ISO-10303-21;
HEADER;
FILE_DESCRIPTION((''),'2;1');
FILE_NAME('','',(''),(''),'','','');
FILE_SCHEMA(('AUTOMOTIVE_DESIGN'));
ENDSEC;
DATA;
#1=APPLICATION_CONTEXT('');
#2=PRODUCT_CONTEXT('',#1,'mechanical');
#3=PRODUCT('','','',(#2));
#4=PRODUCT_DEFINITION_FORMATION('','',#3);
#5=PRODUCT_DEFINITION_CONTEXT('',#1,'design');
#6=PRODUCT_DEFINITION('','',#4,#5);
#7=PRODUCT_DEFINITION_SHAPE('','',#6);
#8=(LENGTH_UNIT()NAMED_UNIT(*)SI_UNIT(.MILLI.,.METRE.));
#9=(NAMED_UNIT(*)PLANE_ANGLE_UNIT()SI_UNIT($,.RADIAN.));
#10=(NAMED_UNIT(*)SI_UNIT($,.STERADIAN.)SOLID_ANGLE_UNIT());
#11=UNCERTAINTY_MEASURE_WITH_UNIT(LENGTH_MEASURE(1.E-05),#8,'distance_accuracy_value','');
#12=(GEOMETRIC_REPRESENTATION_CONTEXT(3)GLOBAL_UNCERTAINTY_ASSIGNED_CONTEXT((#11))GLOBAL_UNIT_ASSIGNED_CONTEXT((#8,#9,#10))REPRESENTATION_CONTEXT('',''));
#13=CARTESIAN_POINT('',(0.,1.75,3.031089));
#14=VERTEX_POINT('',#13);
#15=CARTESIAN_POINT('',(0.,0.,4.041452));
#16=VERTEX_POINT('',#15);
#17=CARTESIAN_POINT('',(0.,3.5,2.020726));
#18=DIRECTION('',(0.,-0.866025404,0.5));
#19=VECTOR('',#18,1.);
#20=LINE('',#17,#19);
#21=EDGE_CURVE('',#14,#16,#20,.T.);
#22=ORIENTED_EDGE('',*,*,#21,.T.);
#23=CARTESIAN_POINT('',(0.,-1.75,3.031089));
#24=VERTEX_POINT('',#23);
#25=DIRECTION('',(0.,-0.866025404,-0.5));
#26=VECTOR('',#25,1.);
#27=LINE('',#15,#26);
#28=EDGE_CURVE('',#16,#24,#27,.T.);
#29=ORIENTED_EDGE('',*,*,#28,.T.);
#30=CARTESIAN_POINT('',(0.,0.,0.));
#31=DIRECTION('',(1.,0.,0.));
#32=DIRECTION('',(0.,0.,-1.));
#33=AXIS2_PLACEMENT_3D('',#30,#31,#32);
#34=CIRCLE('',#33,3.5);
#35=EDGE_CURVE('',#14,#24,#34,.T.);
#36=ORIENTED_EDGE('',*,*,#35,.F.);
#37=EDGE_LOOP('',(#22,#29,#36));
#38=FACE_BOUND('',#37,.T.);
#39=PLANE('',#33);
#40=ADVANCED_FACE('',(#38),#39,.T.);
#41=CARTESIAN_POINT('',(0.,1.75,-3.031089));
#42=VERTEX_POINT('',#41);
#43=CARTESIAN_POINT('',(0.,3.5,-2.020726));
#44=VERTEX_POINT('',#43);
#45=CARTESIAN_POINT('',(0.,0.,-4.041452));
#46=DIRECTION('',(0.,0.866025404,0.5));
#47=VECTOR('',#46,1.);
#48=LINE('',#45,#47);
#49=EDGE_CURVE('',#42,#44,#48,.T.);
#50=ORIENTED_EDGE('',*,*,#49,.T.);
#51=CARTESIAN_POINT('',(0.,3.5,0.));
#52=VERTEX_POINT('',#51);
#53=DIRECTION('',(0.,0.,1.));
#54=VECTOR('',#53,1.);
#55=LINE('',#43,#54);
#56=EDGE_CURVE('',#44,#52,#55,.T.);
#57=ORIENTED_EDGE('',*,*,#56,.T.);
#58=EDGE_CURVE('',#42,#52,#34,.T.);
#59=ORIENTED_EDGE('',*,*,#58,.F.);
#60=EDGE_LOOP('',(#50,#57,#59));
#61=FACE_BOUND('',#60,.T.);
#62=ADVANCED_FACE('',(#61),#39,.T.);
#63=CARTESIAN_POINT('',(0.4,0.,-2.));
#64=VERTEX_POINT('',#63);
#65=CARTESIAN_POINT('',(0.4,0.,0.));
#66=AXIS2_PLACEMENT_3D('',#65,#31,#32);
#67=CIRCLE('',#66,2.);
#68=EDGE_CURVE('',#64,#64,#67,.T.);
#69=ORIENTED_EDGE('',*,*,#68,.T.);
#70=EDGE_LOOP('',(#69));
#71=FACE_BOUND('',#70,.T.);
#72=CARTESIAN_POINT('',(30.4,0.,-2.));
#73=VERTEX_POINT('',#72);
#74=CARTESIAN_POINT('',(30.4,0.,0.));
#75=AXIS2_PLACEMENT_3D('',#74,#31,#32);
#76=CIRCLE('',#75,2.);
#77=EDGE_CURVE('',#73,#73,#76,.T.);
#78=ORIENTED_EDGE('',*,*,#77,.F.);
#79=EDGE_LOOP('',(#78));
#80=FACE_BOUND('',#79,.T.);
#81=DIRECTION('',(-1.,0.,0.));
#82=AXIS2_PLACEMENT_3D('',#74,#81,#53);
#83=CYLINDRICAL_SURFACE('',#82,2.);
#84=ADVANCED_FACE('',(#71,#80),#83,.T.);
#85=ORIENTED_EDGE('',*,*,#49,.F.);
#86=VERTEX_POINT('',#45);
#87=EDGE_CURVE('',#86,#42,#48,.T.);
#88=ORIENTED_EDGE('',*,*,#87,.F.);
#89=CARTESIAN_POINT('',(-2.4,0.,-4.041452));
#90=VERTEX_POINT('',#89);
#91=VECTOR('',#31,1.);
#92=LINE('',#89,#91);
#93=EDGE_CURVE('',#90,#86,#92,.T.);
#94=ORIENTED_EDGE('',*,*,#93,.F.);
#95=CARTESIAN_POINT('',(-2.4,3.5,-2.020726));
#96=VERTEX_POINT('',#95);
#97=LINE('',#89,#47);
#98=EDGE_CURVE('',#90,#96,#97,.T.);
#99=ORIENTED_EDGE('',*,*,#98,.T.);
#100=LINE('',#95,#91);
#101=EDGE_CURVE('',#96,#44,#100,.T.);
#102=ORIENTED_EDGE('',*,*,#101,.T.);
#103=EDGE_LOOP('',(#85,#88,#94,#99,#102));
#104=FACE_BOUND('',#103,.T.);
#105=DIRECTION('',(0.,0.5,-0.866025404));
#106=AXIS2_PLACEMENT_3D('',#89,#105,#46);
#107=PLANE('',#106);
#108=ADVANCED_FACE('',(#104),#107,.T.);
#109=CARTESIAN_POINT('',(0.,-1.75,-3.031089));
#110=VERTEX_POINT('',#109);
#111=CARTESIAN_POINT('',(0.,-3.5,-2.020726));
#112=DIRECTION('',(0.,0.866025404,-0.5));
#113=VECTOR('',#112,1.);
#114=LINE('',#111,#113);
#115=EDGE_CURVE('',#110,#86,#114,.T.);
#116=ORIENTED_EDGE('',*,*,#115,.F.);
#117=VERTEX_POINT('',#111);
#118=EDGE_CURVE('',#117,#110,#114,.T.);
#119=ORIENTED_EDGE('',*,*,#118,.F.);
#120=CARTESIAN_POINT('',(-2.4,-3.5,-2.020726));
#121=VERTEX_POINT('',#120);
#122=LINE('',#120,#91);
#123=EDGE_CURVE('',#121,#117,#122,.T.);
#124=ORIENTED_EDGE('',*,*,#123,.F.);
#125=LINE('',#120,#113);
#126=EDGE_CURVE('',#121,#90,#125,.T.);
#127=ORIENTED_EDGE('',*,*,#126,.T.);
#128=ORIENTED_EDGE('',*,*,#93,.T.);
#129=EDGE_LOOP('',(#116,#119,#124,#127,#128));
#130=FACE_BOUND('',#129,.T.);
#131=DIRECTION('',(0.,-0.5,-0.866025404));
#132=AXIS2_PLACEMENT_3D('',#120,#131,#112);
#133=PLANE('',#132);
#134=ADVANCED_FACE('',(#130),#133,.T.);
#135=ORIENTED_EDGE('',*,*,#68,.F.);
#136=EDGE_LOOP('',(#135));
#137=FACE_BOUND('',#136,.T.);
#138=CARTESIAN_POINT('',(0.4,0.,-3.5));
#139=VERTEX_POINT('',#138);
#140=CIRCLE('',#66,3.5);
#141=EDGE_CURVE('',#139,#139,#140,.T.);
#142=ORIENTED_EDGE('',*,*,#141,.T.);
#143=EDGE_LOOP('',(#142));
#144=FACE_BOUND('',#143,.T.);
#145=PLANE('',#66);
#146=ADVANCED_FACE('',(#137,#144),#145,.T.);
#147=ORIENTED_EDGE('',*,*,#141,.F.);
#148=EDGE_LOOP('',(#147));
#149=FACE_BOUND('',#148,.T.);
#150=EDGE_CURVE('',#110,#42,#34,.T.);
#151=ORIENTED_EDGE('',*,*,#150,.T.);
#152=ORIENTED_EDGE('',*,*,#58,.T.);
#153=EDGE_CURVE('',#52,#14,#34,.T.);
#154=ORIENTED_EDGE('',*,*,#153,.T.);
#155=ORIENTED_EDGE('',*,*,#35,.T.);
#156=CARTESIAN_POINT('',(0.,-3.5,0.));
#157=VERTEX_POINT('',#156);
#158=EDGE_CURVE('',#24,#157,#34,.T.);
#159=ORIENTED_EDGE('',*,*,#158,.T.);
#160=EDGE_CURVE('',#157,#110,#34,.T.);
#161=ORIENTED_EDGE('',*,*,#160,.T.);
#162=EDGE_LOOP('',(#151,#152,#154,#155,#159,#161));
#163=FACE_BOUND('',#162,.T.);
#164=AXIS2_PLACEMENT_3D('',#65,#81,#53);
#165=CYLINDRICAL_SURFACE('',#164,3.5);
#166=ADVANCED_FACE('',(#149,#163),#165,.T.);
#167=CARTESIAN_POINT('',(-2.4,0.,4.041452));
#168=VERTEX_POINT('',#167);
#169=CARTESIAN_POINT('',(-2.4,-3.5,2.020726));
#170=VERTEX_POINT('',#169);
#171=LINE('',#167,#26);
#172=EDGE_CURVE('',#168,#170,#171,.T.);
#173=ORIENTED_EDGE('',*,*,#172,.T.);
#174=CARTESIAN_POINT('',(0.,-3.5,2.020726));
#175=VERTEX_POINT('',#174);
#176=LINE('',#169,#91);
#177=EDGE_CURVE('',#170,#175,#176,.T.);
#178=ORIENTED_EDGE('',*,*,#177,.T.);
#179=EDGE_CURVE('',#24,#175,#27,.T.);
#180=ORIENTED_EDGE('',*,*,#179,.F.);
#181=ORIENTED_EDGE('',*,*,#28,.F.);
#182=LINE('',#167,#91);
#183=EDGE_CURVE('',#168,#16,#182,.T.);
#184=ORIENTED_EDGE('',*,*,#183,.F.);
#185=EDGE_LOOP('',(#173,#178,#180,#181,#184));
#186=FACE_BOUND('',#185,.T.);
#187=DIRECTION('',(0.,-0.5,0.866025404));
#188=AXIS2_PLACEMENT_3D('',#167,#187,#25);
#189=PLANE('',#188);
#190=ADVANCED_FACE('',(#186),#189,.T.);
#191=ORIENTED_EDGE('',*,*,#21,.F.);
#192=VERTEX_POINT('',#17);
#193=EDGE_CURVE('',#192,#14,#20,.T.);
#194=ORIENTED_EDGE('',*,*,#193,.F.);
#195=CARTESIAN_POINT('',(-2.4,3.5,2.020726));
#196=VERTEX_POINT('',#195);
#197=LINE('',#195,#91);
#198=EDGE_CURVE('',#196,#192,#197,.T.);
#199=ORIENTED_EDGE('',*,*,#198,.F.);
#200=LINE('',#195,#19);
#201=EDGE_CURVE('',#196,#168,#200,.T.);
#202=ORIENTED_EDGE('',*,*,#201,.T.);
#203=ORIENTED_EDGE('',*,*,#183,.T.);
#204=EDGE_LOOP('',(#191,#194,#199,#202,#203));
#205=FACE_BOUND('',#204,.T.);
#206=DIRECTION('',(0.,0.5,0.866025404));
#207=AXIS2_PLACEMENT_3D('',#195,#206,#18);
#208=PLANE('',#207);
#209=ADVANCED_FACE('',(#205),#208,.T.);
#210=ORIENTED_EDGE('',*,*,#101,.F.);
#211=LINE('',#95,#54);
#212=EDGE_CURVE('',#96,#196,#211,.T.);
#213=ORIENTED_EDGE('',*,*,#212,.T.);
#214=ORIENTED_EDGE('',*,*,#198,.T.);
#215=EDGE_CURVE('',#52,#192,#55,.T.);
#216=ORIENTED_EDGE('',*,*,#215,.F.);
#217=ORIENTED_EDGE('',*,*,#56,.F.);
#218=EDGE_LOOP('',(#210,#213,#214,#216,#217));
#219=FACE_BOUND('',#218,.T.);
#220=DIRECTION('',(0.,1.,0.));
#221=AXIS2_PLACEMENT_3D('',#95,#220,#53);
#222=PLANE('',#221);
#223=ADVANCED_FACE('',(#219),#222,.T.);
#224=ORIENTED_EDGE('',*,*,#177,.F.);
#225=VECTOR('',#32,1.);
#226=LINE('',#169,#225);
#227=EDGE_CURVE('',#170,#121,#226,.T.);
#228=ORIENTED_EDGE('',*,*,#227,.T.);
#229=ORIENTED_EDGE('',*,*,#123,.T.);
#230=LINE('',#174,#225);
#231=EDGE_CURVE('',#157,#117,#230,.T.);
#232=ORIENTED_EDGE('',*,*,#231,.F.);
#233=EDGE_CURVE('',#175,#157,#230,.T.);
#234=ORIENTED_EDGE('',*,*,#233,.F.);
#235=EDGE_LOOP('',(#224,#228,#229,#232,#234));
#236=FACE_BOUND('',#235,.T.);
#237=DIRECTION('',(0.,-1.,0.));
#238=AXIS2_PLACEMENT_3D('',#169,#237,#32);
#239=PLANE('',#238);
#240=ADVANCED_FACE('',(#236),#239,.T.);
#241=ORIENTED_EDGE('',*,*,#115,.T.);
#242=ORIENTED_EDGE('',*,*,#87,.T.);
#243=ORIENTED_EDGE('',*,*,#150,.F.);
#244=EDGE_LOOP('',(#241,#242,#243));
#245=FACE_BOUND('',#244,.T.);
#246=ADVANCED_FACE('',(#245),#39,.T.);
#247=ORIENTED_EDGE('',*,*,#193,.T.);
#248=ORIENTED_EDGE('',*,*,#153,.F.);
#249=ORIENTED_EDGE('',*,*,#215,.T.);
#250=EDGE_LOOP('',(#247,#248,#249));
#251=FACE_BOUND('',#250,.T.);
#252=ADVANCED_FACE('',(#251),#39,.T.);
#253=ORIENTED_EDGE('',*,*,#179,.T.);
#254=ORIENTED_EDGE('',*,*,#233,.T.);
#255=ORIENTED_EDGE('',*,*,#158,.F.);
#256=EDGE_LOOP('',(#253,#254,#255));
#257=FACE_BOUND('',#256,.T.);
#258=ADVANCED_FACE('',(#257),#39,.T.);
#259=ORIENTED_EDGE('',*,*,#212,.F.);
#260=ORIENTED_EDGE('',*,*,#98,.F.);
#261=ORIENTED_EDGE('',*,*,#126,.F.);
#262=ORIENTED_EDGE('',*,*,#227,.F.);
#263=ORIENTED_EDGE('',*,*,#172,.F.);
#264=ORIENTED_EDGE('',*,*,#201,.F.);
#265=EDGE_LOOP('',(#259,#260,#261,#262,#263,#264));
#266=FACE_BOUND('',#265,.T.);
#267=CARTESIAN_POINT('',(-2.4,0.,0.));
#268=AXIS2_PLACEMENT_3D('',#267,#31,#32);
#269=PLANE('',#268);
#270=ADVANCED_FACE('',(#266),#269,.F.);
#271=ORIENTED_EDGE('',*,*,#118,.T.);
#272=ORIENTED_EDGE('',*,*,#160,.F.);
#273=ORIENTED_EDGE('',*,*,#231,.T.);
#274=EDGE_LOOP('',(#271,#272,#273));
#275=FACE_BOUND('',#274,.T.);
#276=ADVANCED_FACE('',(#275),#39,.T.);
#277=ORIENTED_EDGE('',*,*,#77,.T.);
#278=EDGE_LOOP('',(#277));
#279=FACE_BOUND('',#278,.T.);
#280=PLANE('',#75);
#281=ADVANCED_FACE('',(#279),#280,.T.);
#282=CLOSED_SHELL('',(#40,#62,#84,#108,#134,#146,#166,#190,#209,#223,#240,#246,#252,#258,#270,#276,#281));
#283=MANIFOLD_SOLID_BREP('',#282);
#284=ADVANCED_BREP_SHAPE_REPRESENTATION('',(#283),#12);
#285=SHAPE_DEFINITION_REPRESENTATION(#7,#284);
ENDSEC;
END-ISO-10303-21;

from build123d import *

# Parameters (mm, degrees)
BOSS_EXTRUDE1_DEPTH = 2.4
SKETCH2_R           = 3.5
BOSS_EXTRUDE2_DEPTH = 0.4
SKETCH3_R           = 2
BOSS_EXTRUDE3_DEPTH = 30


with BuildPart() as part:
    # Sketch1 → Boss-Extrude1 (new body)
    with BuildSketch(Plane(origin=(0, 0, 0), x_dir=(0, 0, -1), z_dir=(1, 0, 0))):
        Polygon((-4.041451884, 0), (-2.020725942, -3.5), (2.020725942, -3.5), (4.041451884, 0), (2.020725942, 3.5), (-2.020725942, 3.5), align=None)
    extrude(amount=-BOSS_EXTRUDE1_DEPTH)

    # Sketch2 → Boss-Extrude2 (add)
    with BuildSketch(Plane(origin=(0, 0, 0), x_dir=(0, 0, -1), z_dir=(1, 0, 0))):
        with Locations(Location((0, 0, 0), (0, 0, 150))):
            Circle(SKETCH2_R)
    extrude(amount=BOSS_EXTRUDE2_DEPTH)

    # Sketch3 → Boss-Extrude3 (add)
    with BuildSketch(Plane(origin=(0.4, 0, 0), x_dir=(0, 0, -1), z_dir=(1, 0, 0))):
        Circle(SKETCH3_R)
    extrude(amount=BOSS_EXTRUDE3_DEPTH)


solid = part.part
